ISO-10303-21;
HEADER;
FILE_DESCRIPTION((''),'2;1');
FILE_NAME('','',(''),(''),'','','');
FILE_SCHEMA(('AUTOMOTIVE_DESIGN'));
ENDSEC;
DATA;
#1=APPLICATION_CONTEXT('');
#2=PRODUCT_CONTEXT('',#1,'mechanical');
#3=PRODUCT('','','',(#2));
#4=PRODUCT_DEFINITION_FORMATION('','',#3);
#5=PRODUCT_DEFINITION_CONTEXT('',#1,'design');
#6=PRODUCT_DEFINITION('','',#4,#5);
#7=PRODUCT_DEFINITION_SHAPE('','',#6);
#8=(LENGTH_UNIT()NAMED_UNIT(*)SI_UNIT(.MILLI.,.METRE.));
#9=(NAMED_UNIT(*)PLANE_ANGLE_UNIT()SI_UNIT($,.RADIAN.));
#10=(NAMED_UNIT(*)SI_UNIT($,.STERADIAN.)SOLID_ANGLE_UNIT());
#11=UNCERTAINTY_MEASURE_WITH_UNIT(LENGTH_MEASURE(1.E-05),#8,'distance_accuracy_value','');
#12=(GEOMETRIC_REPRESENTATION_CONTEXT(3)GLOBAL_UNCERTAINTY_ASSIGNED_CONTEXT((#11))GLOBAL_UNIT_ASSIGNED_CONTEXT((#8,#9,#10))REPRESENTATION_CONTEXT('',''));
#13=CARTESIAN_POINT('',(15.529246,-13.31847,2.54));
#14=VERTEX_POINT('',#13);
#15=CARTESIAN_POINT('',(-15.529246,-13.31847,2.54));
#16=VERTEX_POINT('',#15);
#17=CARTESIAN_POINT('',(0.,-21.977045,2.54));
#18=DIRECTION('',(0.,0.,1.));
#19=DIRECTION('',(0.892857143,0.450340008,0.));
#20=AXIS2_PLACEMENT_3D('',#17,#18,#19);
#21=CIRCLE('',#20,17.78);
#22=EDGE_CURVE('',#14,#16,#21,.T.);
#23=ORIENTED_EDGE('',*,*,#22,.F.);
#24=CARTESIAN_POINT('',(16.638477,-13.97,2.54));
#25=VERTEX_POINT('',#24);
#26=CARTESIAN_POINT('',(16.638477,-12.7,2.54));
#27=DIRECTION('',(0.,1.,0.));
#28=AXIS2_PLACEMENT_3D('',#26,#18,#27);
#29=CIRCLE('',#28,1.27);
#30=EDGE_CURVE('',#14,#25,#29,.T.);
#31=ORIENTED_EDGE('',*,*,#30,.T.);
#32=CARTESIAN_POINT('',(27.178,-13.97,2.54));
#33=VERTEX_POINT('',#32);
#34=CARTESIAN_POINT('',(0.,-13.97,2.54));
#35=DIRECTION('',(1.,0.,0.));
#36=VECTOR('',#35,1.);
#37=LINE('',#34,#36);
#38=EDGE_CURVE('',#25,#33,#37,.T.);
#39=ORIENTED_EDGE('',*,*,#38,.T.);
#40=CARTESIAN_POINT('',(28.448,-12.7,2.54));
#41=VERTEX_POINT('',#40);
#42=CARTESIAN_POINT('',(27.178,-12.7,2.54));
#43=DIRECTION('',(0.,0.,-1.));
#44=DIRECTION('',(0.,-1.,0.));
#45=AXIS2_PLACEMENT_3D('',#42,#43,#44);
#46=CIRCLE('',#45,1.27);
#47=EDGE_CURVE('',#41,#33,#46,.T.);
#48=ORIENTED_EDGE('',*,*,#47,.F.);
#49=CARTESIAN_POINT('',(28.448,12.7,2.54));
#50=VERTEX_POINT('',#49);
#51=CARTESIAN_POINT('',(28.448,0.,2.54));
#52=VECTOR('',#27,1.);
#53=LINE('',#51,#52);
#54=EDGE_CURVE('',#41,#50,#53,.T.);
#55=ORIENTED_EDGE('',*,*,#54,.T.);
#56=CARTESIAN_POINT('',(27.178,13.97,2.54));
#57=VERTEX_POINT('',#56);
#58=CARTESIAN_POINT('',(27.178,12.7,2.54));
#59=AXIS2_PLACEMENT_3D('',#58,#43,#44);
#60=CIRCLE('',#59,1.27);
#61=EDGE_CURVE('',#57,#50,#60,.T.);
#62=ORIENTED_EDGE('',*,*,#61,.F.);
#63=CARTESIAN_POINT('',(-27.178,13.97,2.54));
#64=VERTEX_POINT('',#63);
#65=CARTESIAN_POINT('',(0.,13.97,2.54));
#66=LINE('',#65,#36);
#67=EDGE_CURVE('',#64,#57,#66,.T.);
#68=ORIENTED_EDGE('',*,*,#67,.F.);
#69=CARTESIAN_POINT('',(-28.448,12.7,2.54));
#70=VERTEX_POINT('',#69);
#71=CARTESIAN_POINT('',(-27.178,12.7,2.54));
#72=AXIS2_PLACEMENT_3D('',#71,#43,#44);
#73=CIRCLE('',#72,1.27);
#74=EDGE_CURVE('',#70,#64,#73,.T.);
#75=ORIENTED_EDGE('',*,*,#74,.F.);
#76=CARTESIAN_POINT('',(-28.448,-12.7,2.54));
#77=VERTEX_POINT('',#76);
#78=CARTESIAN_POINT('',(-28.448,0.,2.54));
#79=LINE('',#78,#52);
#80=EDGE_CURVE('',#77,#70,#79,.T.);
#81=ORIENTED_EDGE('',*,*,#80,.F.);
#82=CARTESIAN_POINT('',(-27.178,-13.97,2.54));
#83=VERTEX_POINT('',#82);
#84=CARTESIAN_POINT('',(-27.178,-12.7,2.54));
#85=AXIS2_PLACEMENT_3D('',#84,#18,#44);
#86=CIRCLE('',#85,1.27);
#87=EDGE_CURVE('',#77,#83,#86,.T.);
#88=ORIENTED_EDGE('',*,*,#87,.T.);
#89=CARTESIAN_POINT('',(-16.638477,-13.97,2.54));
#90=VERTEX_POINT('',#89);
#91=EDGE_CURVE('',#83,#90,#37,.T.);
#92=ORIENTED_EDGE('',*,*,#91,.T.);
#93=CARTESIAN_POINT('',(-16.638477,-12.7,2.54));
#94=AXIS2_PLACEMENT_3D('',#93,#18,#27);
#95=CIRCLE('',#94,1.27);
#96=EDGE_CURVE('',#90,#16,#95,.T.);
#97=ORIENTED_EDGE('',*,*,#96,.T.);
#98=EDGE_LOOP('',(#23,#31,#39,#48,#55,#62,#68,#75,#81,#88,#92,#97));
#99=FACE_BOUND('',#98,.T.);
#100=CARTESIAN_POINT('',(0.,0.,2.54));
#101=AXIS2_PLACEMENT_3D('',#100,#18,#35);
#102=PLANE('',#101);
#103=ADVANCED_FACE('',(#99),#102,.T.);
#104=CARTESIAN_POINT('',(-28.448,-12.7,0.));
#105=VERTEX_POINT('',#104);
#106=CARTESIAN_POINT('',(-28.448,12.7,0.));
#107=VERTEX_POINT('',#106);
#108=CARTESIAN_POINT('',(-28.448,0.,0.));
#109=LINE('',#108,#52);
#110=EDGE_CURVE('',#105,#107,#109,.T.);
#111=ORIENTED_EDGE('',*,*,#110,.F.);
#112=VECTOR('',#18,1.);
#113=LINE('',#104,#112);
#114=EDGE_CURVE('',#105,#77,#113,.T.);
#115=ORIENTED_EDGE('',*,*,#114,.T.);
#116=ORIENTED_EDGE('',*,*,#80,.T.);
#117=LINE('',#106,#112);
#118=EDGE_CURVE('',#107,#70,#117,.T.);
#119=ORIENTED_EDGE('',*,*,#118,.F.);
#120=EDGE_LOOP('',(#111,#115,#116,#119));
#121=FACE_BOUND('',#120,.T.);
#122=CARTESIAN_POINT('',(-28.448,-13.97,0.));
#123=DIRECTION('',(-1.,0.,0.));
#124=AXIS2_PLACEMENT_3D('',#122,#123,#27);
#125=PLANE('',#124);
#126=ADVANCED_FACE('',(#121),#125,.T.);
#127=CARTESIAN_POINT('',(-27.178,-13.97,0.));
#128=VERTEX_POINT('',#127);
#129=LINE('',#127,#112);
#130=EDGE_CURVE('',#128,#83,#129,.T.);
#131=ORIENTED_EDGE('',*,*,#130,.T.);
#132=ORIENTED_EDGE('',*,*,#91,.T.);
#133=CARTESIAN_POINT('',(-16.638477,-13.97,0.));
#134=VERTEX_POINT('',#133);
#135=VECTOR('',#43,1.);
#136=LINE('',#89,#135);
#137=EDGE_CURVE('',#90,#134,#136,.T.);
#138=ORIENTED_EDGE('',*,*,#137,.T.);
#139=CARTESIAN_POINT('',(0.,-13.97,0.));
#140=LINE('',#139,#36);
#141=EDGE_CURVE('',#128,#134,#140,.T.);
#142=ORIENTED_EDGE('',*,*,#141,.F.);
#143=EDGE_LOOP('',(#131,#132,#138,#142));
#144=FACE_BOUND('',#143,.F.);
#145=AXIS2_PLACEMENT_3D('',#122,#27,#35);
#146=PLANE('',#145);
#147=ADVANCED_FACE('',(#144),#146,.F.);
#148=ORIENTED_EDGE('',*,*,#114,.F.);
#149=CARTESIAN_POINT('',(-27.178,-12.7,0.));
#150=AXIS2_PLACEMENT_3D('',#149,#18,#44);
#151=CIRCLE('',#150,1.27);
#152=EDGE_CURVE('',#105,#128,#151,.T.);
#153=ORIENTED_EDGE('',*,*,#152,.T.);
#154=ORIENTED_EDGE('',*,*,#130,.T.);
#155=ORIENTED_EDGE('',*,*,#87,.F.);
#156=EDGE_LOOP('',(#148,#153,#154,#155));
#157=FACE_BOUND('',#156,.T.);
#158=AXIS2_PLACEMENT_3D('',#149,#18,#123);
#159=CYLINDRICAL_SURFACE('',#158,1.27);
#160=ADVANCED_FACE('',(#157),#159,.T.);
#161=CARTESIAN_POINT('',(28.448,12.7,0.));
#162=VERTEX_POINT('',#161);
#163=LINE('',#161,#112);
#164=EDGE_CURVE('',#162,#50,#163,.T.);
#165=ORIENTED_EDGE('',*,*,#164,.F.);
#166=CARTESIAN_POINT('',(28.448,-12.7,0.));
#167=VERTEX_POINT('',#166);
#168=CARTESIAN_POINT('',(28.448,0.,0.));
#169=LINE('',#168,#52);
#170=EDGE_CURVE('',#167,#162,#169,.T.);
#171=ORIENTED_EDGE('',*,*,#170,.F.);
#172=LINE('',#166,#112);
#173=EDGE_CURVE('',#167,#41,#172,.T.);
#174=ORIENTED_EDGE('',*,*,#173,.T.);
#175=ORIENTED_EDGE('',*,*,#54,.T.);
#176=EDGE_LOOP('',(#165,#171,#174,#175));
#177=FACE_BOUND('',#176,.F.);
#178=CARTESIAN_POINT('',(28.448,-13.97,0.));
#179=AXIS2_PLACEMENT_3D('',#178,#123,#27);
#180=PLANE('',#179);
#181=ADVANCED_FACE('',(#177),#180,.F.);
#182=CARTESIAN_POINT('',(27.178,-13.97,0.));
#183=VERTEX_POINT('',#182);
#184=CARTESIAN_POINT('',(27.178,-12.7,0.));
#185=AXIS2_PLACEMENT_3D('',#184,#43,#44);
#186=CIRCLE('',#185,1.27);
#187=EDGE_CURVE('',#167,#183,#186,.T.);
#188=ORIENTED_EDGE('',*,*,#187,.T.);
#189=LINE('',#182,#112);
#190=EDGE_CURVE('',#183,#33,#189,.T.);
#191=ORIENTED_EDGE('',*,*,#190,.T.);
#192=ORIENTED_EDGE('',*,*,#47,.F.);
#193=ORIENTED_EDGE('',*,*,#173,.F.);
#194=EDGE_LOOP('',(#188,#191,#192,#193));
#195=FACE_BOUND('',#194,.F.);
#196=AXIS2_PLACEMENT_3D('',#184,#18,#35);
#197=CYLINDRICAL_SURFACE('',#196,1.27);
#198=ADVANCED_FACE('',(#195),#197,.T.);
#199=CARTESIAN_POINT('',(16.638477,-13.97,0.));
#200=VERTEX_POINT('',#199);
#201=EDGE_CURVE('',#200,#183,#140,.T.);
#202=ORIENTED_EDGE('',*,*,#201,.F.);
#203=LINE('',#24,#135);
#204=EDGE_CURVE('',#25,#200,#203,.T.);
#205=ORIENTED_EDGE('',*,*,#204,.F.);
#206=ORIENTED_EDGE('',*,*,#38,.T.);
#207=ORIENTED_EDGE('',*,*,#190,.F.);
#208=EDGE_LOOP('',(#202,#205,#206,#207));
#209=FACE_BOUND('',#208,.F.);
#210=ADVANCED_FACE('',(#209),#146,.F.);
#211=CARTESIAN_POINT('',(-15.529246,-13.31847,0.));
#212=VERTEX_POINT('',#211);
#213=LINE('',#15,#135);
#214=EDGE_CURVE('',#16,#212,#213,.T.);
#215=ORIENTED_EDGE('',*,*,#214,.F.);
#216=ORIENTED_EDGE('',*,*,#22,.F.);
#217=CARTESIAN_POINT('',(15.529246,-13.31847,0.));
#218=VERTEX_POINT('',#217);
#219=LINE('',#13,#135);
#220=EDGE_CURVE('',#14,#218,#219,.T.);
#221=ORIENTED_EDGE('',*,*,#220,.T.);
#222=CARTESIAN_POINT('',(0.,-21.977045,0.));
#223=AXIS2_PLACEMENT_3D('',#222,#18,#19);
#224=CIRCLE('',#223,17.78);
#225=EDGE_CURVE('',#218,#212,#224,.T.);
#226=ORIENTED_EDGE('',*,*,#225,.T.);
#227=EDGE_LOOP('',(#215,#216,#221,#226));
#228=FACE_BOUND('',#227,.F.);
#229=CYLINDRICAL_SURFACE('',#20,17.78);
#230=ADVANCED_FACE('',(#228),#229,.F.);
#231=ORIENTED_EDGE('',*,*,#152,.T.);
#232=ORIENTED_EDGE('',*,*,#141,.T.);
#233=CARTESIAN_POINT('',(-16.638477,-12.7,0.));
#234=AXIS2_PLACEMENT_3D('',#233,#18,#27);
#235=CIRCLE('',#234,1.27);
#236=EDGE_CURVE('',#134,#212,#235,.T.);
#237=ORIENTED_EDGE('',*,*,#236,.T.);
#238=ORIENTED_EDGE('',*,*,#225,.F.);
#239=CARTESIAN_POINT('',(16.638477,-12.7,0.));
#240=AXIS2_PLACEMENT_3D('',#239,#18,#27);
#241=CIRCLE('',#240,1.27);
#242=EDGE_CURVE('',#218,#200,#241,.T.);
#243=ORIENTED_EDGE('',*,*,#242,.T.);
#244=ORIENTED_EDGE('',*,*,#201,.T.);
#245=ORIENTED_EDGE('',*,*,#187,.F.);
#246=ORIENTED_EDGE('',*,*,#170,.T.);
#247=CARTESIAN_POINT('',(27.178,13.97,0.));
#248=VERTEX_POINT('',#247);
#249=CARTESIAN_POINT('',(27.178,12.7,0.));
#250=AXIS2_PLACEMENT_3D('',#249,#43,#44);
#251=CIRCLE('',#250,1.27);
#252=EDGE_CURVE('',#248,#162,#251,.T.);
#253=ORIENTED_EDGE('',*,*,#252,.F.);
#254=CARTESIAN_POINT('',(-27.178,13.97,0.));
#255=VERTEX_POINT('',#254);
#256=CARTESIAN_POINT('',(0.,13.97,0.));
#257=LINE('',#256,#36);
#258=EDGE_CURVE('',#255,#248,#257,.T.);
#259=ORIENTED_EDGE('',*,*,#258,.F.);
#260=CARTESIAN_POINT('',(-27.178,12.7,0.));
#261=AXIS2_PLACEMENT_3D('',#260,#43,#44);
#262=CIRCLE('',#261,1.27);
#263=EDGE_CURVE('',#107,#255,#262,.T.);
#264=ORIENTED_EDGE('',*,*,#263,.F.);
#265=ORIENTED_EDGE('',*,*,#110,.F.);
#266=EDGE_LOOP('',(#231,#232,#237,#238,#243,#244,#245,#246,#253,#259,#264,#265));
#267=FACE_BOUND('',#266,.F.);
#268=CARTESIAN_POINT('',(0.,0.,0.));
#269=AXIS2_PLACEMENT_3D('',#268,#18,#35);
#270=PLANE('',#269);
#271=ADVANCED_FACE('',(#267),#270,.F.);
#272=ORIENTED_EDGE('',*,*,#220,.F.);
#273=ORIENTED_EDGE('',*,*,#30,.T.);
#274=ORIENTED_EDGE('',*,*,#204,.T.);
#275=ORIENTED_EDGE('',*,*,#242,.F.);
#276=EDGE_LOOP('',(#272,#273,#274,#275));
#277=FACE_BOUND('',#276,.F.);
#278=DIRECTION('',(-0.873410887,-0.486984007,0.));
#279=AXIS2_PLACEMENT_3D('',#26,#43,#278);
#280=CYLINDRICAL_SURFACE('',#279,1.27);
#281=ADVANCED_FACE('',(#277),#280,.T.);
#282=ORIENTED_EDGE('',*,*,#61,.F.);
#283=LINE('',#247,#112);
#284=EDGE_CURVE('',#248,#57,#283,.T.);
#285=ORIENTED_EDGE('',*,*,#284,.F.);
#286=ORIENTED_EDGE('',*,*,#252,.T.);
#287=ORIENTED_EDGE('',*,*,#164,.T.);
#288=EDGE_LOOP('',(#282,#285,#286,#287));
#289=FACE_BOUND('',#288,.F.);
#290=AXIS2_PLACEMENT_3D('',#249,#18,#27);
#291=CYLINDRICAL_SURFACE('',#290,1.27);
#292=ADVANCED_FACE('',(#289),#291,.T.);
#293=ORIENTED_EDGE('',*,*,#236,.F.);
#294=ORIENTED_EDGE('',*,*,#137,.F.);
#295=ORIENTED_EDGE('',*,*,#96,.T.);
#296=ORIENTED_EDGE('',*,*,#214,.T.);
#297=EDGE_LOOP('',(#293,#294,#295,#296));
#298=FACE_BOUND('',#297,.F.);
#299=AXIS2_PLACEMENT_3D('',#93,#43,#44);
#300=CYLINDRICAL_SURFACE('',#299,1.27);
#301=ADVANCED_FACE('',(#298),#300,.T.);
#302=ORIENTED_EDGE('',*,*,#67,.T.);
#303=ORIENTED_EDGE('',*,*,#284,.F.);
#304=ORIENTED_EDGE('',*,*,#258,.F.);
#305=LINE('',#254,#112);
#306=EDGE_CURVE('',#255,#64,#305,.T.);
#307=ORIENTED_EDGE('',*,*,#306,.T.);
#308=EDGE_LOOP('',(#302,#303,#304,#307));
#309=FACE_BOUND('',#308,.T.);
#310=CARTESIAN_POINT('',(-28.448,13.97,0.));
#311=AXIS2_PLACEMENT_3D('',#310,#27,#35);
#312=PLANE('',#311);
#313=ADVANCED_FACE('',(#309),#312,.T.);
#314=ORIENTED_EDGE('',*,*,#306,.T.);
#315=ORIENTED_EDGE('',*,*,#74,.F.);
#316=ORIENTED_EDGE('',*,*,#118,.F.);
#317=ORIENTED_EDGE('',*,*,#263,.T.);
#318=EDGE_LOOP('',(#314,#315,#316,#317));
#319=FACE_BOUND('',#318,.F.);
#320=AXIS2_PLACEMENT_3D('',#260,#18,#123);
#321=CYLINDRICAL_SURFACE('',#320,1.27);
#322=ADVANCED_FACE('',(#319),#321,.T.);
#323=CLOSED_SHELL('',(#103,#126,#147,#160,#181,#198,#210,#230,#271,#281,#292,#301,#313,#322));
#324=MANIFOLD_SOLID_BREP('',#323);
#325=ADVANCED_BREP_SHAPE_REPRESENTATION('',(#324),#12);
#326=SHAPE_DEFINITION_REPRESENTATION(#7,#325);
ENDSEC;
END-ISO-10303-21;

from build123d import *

# Parameters (mm, degrees)
SKETCH1_W           = 56.896
SKETCH1_H           = 27.94
BOSS_EXTRUDE1_DEPTH = 2.54
CUT_EXTRUDE1_DEPTH  = 3.54
FILLET1_R           = 1.27


with BuildPart() as part:
    # Sketch1 → Boss-Extrude1 (new body)
    with BuildSketch(Plane.XY):
        Rectangle(SKETCH1_W, SKETCH1_H)
    extrude(amount=BOSS_EXTRUDE1_DEPTH)

    # Sketch2 → Cut-Extrude1 (cut, through all)
    with BuildSketch(Plane.XY.offset(2.54)):
        with BuildLine():
            Line((-15.875, -13.97), (15.875, -13.97))
            ThreePointArc((15.875, -13.97), (0, -4.197045335), (-15.875, -13.97))
        make_face()
    extrude(amount=-CUT_EXTRUDE1_DEPTH, mode=Mode.SUBTRACT)

    # Fillet1
    fillet1_edges = [part.edges().sort_by_distance(p)[0] for p in [
        (-15.875, -13.97, 1.27),
        (15.875, -13.97, 1.27),
        (28.448, -13.97, 1.27),
        (-28.448, -13.97, 1.27),
        (-28.448, 13.97, 1.27),
        (28.448, 13.97, 1.27),
    ]]
    fillet(fillet1_edges, radius=FILLET1_R)


solid = part.part
